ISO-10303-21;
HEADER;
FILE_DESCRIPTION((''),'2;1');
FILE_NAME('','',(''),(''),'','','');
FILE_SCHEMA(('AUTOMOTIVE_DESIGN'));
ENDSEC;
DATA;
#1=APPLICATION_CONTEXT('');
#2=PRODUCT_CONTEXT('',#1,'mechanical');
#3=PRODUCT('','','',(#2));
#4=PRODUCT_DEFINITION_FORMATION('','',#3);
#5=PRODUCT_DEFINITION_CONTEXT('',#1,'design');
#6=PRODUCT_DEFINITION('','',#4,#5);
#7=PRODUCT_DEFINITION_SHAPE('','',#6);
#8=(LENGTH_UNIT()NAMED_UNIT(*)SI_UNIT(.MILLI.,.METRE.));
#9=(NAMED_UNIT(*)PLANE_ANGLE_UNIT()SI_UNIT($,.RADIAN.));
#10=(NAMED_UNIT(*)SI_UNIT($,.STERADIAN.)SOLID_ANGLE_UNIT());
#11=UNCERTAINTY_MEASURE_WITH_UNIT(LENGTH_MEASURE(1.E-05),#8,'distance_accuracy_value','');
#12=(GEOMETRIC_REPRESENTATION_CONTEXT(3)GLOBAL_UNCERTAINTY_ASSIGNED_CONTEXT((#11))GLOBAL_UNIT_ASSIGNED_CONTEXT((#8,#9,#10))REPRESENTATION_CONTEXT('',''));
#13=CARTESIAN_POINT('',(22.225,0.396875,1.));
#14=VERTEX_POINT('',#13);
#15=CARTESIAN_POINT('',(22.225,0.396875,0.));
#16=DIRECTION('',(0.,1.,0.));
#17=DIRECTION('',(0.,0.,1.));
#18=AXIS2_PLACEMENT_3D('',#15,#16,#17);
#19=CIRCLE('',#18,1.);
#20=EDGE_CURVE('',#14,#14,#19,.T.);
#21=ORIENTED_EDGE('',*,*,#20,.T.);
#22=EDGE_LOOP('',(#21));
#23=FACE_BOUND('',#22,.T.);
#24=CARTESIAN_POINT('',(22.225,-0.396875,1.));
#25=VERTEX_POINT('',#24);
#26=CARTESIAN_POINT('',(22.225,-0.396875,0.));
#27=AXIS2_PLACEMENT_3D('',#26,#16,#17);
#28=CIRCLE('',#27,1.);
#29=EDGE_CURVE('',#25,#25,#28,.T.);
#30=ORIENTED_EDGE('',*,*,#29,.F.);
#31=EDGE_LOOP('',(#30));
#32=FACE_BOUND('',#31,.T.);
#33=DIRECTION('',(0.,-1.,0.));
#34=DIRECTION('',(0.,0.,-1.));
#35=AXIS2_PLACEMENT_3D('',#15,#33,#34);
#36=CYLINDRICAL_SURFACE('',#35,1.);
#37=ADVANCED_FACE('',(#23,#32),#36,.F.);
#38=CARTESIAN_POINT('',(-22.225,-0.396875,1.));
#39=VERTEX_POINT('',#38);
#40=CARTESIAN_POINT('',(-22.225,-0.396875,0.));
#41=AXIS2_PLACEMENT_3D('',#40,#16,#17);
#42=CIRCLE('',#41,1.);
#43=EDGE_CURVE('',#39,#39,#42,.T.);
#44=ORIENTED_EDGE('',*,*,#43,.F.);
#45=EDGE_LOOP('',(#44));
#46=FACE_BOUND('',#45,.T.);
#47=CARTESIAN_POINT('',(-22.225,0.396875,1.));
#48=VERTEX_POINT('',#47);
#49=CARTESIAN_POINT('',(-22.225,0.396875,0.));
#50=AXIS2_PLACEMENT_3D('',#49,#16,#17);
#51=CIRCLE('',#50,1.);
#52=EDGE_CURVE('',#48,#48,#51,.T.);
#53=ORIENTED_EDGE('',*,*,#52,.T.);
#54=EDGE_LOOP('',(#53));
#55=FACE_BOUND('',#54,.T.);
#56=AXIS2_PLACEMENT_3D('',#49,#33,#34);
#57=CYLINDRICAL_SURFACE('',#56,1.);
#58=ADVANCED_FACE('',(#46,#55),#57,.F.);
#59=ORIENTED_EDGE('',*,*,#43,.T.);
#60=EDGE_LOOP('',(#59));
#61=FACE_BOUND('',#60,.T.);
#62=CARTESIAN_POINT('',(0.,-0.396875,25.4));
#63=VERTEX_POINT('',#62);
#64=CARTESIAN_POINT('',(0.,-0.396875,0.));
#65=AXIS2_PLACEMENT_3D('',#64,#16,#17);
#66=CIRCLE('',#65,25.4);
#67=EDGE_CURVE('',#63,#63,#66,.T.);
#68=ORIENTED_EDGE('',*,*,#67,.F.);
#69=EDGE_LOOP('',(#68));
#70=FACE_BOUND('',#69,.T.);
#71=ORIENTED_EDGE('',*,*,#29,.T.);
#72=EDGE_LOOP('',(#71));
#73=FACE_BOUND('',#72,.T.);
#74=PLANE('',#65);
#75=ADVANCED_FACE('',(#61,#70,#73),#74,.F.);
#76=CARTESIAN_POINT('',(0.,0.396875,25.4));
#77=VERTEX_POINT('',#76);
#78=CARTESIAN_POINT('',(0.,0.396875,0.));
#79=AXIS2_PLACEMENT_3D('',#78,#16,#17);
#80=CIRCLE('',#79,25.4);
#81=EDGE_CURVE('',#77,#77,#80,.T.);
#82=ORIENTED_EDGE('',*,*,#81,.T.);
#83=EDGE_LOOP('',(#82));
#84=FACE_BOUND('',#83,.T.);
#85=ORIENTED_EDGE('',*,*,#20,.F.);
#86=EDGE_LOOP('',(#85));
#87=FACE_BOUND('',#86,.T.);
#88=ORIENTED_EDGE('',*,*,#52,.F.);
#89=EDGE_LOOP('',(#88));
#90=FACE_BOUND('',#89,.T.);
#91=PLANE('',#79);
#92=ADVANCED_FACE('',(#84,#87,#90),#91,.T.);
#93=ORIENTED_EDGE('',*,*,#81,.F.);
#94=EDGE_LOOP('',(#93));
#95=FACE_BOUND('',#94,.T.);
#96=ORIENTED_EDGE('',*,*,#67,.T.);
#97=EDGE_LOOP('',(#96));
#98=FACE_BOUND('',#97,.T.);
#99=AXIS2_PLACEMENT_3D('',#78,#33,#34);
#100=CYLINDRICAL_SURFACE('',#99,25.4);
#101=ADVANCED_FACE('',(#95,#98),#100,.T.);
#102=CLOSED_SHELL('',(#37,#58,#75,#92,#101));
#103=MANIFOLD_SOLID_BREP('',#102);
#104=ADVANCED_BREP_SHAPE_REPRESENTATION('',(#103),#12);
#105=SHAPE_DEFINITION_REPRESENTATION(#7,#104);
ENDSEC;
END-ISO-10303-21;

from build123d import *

# Parameters (mm, degrees)
SKETCH1_R           = 25.4
SKETCH1_R_2         = 1
BOSS_EXTRUDE1_DEPTH = 0.396875


with BuildPart() as part:
    # Sketch1 → Boss-Extrude1 (new body, symmetric)
    with BuildSketch(Plane(origin=(0, 0, 0), x_dir=(1, 0, 0), z_dir=(0, 1, 0))):
        Circle(SKETCH1_R)
        with Locations((-22.225, 0)):
            Circle(SKETCH1_R_2, mode=Mode.SUBTRACT)
        with Locations((22.225, 0)):
            Circle(SKETCH1_R_2, mode=Mode.SUBTRACT)
    extrude(amount=BOSS_EXTRUDE1_DEPTH, both=True)


solid = part.part
